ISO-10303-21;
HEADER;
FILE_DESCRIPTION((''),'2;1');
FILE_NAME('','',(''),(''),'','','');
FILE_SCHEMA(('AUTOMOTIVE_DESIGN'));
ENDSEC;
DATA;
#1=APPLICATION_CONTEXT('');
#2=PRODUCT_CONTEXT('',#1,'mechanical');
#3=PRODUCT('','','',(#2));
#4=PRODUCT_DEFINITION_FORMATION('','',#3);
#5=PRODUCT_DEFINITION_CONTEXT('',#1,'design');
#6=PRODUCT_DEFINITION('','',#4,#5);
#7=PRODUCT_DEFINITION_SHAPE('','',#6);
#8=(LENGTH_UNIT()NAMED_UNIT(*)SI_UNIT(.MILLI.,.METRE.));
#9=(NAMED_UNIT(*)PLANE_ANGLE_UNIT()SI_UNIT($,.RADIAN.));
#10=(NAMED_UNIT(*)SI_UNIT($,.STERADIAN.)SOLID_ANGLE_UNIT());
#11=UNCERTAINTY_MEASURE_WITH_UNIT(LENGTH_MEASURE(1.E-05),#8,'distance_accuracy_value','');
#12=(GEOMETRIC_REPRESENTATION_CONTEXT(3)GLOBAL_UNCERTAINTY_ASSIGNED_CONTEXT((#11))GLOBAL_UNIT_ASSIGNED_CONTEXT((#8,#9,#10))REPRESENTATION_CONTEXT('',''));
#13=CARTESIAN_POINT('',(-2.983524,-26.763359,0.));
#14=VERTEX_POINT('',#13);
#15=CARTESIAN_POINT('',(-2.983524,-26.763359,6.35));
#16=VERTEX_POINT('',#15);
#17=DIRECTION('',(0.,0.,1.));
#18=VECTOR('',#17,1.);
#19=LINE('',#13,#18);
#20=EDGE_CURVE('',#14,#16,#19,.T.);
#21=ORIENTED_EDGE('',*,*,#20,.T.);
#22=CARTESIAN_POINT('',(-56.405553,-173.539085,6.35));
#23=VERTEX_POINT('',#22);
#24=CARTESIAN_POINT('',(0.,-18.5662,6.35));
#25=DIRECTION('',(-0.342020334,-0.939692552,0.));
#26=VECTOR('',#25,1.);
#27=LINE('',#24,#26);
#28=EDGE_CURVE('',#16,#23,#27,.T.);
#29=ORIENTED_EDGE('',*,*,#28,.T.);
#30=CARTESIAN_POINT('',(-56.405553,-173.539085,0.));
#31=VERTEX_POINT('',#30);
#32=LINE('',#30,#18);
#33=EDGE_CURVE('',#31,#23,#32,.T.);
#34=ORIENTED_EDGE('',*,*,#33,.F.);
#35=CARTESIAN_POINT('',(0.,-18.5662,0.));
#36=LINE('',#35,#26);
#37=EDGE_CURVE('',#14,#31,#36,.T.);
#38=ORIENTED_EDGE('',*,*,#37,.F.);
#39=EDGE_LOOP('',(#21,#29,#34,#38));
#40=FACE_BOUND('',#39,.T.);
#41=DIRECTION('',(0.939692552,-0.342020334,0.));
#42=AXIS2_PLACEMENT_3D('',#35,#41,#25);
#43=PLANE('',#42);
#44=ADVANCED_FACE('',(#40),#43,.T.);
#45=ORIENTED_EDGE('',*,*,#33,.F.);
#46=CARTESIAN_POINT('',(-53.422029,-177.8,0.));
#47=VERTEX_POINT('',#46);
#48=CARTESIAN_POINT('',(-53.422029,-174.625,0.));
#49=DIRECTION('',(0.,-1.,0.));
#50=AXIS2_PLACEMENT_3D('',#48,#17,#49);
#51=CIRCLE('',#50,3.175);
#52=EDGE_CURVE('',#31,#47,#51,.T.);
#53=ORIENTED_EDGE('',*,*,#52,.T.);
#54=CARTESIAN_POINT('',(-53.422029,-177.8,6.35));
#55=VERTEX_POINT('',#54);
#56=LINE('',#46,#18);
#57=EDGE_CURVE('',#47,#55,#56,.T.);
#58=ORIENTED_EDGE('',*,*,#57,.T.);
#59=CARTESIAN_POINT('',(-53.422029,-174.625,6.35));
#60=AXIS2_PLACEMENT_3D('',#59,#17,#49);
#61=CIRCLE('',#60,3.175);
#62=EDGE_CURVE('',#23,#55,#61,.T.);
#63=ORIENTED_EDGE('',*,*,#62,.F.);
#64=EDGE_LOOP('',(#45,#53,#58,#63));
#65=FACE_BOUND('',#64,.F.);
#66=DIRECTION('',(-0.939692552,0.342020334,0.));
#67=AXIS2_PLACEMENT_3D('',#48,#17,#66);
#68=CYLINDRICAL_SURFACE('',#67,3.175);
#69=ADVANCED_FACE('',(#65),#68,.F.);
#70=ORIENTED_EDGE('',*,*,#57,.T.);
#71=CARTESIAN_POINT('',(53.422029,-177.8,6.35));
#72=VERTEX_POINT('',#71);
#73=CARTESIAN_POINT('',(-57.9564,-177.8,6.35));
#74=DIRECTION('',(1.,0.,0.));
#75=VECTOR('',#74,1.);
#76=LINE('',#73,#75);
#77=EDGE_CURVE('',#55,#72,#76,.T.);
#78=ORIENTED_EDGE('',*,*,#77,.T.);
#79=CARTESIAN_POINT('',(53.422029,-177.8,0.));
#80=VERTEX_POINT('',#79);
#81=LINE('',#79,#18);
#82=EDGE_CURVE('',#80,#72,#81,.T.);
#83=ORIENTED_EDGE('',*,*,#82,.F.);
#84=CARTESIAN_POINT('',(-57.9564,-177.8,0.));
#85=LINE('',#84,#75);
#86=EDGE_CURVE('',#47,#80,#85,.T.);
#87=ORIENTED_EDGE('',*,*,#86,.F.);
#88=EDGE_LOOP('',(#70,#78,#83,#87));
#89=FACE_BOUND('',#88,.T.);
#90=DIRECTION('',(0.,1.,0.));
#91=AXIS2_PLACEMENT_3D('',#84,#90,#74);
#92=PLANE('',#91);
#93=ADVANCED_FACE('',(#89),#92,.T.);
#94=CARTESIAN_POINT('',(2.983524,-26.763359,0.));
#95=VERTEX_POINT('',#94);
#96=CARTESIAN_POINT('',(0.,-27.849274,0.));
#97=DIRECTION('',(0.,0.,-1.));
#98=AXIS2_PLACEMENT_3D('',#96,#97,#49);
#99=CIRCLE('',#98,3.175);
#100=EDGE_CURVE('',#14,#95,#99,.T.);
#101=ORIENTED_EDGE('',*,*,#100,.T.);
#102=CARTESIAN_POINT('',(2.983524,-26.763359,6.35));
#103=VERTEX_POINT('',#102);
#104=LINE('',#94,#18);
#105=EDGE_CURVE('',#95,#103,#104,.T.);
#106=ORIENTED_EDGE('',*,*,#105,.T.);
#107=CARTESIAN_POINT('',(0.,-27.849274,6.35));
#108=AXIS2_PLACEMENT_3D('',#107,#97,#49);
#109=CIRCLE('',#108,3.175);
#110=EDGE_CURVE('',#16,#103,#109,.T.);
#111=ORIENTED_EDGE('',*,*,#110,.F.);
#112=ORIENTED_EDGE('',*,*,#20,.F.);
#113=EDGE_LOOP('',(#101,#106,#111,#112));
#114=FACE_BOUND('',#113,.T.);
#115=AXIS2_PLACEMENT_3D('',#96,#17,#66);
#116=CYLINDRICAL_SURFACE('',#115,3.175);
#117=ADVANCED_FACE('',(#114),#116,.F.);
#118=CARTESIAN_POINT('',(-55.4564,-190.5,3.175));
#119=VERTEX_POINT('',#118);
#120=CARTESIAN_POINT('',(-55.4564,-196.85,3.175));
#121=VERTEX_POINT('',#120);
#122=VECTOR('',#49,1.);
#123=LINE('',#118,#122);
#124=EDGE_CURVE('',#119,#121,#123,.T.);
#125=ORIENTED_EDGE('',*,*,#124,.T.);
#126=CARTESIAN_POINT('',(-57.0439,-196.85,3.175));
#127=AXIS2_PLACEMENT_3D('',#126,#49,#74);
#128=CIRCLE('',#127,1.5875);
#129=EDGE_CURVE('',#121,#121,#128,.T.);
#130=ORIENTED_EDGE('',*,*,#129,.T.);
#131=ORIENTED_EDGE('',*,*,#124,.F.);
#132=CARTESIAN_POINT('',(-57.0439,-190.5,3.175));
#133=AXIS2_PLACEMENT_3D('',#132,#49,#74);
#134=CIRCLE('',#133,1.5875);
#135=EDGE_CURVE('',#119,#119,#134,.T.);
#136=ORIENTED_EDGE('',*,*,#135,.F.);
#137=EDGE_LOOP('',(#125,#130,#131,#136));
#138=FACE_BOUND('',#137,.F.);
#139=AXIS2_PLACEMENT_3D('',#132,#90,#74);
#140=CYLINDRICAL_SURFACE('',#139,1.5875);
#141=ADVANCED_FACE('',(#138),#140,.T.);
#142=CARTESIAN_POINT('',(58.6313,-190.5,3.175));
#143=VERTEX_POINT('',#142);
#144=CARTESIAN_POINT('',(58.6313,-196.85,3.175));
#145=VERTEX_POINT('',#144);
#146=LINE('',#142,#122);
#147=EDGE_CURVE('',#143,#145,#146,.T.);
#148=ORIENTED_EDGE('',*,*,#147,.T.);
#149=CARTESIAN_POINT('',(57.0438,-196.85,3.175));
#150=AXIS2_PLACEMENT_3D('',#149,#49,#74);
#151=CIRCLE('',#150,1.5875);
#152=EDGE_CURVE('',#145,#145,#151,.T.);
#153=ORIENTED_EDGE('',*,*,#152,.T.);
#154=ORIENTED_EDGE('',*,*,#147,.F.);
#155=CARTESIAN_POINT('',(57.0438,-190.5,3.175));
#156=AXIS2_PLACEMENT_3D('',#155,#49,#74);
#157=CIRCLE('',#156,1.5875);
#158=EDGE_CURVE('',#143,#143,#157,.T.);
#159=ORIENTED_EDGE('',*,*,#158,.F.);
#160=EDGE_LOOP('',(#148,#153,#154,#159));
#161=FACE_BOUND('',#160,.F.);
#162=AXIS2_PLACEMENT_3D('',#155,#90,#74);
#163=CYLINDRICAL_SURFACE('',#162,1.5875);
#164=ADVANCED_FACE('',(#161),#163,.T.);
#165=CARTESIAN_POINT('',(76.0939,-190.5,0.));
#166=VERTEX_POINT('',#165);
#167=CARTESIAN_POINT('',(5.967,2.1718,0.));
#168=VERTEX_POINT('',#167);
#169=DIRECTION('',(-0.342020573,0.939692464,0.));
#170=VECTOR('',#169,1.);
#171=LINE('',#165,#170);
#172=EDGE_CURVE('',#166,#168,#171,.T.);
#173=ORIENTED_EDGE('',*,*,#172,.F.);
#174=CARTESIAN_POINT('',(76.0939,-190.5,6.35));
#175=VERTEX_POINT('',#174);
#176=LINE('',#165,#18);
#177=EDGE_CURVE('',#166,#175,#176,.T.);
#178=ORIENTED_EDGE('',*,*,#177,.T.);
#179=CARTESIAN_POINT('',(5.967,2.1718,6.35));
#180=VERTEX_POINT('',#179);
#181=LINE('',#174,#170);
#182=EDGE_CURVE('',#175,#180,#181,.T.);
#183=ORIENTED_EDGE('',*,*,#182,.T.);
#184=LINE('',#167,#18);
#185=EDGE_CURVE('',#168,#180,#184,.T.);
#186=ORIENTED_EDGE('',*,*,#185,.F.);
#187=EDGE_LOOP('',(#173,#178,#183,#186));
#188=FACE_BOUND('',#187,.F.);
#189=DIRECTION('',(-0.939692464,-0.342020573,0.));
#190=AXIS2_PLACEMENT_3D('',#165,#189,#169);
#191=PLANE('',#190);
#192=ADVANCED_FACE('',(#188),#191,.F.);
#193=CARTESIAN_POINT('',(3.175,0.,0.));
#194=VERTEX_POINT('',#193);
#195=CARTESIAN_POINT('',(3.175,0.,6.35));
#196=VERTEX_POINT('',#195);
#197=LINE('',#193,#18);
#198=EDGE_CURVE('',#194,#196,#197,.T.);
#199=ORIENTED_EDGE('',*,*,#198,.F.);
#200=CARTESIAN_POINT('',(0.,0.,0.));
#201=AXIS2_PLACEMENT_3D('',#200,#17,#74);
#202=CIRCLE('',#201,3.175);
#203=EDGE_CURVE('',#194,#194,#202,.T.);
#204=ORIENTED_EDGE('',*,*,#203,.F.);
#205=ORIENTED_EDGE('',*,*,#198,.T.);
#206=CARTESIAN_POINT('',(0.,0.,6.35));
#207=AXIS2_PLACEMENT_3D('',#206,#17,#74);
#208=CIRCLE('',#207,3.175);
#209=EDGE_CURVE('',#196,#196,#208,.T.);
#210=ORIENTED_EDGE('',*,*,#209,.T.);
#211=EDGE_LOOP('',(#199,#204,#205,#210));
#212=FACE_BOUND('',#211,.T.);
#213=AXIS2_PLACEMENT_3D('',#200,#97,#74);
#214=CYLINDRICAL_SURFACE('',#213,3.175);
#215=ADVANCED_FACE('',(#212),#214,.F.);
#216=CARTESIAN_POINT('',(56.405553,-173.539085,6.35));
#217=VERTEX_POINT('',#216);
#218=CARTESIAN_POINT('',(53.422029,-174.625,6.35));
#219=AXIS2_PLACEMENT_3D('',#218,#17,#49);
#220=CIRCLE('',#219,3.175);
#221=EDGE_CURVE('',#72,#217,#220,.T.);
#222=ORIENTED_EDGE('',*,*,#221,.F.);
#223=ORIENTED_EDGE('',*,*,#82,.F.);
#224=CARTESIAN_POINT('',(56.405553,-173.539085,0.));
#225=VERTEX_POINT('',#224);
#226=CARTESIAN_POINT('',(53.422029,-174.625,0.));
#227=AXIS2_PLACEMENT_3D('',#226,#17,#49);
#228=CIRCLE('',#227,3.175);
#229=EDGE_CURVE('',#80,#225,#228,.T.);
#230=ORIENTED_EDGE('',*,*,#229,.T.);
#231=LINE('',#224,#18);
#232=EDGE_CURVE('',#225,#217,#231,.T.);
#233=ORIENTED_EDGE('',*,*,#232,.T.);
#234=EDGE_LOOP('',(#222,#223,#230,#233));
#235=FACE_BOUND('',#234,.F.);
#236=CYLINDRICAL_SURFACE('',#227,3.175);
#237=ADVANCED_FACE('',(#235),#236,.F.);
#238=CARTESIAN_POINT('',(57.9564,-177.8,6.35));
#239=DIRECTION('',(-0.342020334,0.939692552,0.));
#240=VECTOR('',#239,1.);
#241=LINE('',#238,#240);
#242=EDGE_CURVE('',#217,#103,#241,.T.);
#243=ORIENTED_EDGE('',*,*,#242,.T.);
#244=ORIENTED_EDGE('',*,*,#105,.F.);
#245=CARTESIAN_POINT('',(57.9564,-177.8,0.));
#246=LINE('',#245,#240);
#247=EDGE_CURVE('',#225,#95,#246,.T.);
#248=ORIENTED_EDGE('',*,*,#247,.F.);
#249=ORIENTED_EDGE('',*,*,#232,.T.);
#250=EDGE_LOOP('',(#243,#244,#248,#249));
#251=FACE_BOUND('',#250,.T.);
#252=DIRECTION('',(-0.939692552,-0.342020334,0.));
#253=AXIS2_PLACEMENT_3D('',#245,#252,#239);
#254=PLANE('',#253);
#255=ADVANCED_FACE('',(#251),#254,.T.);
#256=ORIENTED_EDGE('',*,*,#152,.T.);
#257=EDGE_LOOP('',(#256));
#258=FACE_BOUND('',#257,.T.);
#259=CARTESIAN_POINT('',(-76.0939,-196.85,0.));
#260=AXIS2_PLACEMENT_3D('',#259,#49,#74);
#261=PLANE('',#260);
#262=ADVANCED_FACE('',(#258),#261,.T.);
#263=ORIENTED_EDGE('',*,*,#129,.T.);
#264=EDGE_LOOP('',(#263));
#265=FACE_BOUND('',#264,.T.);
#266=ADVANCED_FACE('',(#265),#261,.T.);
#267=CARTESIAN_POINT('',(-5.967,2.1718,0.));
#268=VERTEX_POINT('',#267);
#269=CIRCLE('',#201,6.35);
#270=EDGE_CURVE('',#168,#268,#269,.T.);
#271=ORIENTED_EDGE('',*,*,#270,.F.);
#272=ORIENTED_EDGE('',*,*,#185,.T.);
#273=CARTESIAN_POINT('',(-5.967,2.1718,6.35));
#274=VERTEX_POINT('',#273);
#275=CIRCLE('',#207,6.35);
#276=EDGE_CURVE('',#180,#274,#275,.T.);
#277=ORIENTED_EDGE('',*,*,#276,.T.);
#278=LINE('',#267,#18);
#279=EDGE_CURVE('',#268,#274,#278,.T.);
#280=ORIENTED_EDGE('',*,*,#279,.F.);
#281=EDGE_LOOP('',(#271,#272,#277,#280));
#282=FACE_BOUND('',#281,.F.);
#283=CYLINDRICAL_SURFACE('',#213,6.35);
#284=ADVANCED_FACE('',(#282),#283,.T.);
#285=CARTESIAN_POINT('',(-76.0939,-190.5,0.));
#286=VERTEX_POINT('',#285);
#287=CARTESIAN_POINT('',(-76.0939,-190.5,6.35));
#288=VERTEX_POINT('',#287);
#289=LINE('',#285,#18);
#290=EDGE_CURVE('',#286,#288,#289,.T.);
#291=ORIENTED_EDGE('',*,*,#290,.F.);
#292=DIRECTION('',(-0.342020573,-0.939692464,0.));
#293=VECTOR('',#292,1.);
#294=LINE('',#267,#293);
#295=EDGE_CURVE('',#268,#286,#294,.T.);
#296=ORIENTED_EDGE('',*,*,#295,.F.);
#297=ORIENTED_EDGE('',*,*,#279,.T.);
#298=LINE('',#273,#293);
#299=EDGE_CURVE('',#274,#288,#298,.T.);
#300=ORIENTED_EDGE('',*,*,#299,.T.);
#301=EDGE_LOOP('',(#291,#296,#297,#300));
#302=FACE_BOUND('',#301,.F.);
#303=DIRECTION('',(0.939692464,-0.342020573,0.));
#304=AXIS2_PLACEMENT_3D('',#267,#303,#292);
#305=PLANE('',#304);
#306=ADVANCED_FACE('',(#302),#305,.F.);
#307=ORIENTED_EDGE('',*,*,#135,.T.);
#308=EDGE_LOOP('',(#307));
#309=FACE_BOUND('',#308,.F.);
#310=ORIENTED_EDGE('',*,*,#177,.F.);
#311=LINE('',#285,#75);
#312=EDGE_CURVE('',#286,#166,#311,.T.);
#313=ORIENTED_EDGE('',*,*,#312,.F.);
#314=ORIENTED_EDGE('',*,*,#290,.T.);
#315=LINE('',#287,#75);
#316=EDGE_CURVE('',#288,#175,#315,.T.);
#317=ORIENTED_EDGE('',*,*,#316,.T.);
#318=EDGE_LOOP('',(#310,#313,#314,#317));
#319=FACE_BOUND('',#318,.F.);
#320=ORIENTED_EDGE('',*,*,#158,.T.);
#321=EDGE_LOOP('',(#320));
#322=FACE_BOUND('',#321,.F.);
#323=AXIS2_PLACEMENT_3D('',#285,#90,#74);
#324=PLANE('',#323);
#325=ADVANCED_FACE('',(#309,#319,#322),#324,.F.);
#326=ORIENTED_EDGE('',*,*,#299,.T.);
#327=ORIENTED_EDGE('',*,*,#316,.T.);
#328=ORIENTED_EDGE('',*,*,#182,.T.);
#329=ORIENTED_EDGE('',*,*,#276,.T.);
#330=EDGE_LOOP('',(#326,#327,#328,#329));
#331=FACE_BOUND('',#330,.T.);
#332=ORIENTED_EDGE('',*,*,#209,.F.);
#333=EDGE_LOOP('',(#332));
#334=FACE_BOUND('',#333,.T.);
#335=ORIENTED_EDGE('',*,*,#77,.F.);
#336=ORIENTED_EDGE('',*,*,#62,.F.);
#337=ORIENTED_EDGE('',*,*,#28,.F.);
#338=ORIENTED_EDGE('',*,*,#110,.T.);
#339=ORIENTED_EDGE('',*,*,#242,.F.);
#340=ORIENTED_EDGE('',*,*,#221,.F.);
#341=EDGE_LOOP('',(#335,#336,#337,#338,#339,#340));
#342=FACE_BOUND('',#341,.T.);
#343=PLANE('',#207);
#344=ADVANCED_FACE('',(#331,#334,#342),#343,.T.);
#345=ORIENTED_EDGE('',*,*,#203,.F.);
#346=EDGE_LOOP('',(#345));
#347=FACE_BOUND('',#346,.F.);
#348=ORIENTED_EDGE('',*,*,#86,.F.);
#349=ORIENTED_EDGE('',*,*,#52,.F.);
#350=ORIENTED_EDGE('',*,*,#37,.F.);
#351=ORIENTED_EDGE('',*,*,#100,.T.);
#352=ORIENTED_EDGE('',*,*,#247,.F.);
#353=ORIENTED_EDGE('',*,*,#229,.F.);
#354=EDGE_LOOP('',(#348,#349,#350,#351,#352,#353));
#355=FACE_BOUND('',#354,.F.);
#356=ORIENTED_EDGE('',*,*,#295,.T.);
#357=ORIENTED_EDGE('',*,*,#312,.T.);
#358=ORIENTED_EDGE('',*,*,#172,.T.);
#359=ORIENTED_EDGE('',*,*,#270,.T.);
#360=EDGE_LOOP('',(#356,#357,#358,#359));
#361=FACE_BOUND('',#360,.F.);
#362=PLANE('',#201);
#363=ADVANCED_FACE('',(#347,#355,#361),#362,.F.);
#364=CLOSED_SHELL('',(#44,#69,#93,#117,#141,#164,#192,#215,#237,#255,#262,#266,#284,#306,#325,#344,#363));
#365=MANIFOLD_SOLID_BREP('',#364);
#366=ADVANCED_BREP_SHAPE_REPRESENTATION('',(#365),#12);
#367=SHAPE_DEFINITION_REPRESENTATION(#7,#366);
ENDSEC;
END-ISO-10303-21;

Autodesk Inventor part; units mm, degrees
ref_plane "YZ Plane" through (0, 0, 0) normal (1, 0, 0) x (0, 1, 0)
ref_plane "XZ Plane" through (0, 0, 0) normal (0, 1, 0) x (-1, 0, 0)
ref_plane "XY Plane" through (0, 0, 0) normal (0, 0, 1) x (1, 0, 0)
sketch "Sketch1" plane through (0, 0, 0) normal (0, 0, 1) x (1, 0, 0)
  circle A0 centre (0, 0) radius 3.175
  circle A1 centre (0, 0) radius 6.35
  line L0 (-5.967, 2.1718) -> (-76.0939, -190.5)
  line L1 (-76.0939, -190.5) -> (76.0939, -190.5)
  line L2 (76.0939, -190.5) -> (5.967, 2.1718)
  line L3 (0, -18.5662) -> (-57.9564, -177.8)
  line L4 (-57.9564, -177.8) -> (57.9564, -177.8)
  line L5 (57.9564, -177.8) -> (0, -18.5662)
  dimension "d0" = 6.35
  dimension "d1" = 12.7
  dimension "d2" = 70
  dimension "d3" = 70
  dimension "d4" = 190.5
  dimension "d5" = 12.7
  dimension "d9" = 152.1877
extrude "Extrusion1" add sketch "Sketch1" along normal blind 6.35
fillet "Fillet1" radius 3.175 3 edges at (0, -18.5662, 3.175) (-57.9564, -177.8, 3.175) (57.9564, -177.8, 3.175)
sketch "Sketch2" plane through (-76.0939, -190.5, 0) normal (0, -1, 0) x (1, 0, 0)
  circle A0 centre (19.05, 3.175) radius 1.5875
  circle A1 centre (133.1377, 3.175) radius 1.5875
  line L0 (0, 6.35) -> (152.1877, 6.35) projected
  line L1 (0, 0) -> (0, 6.35) projected
  line L2 (152.1877, 0) -> (152.1877, 6.35) projected
  point P0 (76.0939, 0)
  dimension "d10" = 3.175
  dimension "d11" = 3.175
  dimension "d12" = 19.05
  dimension "d13" = 19.05
extrude "Extrusion2" add sketch "Sketch2" along normal blind 6.35
properties part number "Outside"
